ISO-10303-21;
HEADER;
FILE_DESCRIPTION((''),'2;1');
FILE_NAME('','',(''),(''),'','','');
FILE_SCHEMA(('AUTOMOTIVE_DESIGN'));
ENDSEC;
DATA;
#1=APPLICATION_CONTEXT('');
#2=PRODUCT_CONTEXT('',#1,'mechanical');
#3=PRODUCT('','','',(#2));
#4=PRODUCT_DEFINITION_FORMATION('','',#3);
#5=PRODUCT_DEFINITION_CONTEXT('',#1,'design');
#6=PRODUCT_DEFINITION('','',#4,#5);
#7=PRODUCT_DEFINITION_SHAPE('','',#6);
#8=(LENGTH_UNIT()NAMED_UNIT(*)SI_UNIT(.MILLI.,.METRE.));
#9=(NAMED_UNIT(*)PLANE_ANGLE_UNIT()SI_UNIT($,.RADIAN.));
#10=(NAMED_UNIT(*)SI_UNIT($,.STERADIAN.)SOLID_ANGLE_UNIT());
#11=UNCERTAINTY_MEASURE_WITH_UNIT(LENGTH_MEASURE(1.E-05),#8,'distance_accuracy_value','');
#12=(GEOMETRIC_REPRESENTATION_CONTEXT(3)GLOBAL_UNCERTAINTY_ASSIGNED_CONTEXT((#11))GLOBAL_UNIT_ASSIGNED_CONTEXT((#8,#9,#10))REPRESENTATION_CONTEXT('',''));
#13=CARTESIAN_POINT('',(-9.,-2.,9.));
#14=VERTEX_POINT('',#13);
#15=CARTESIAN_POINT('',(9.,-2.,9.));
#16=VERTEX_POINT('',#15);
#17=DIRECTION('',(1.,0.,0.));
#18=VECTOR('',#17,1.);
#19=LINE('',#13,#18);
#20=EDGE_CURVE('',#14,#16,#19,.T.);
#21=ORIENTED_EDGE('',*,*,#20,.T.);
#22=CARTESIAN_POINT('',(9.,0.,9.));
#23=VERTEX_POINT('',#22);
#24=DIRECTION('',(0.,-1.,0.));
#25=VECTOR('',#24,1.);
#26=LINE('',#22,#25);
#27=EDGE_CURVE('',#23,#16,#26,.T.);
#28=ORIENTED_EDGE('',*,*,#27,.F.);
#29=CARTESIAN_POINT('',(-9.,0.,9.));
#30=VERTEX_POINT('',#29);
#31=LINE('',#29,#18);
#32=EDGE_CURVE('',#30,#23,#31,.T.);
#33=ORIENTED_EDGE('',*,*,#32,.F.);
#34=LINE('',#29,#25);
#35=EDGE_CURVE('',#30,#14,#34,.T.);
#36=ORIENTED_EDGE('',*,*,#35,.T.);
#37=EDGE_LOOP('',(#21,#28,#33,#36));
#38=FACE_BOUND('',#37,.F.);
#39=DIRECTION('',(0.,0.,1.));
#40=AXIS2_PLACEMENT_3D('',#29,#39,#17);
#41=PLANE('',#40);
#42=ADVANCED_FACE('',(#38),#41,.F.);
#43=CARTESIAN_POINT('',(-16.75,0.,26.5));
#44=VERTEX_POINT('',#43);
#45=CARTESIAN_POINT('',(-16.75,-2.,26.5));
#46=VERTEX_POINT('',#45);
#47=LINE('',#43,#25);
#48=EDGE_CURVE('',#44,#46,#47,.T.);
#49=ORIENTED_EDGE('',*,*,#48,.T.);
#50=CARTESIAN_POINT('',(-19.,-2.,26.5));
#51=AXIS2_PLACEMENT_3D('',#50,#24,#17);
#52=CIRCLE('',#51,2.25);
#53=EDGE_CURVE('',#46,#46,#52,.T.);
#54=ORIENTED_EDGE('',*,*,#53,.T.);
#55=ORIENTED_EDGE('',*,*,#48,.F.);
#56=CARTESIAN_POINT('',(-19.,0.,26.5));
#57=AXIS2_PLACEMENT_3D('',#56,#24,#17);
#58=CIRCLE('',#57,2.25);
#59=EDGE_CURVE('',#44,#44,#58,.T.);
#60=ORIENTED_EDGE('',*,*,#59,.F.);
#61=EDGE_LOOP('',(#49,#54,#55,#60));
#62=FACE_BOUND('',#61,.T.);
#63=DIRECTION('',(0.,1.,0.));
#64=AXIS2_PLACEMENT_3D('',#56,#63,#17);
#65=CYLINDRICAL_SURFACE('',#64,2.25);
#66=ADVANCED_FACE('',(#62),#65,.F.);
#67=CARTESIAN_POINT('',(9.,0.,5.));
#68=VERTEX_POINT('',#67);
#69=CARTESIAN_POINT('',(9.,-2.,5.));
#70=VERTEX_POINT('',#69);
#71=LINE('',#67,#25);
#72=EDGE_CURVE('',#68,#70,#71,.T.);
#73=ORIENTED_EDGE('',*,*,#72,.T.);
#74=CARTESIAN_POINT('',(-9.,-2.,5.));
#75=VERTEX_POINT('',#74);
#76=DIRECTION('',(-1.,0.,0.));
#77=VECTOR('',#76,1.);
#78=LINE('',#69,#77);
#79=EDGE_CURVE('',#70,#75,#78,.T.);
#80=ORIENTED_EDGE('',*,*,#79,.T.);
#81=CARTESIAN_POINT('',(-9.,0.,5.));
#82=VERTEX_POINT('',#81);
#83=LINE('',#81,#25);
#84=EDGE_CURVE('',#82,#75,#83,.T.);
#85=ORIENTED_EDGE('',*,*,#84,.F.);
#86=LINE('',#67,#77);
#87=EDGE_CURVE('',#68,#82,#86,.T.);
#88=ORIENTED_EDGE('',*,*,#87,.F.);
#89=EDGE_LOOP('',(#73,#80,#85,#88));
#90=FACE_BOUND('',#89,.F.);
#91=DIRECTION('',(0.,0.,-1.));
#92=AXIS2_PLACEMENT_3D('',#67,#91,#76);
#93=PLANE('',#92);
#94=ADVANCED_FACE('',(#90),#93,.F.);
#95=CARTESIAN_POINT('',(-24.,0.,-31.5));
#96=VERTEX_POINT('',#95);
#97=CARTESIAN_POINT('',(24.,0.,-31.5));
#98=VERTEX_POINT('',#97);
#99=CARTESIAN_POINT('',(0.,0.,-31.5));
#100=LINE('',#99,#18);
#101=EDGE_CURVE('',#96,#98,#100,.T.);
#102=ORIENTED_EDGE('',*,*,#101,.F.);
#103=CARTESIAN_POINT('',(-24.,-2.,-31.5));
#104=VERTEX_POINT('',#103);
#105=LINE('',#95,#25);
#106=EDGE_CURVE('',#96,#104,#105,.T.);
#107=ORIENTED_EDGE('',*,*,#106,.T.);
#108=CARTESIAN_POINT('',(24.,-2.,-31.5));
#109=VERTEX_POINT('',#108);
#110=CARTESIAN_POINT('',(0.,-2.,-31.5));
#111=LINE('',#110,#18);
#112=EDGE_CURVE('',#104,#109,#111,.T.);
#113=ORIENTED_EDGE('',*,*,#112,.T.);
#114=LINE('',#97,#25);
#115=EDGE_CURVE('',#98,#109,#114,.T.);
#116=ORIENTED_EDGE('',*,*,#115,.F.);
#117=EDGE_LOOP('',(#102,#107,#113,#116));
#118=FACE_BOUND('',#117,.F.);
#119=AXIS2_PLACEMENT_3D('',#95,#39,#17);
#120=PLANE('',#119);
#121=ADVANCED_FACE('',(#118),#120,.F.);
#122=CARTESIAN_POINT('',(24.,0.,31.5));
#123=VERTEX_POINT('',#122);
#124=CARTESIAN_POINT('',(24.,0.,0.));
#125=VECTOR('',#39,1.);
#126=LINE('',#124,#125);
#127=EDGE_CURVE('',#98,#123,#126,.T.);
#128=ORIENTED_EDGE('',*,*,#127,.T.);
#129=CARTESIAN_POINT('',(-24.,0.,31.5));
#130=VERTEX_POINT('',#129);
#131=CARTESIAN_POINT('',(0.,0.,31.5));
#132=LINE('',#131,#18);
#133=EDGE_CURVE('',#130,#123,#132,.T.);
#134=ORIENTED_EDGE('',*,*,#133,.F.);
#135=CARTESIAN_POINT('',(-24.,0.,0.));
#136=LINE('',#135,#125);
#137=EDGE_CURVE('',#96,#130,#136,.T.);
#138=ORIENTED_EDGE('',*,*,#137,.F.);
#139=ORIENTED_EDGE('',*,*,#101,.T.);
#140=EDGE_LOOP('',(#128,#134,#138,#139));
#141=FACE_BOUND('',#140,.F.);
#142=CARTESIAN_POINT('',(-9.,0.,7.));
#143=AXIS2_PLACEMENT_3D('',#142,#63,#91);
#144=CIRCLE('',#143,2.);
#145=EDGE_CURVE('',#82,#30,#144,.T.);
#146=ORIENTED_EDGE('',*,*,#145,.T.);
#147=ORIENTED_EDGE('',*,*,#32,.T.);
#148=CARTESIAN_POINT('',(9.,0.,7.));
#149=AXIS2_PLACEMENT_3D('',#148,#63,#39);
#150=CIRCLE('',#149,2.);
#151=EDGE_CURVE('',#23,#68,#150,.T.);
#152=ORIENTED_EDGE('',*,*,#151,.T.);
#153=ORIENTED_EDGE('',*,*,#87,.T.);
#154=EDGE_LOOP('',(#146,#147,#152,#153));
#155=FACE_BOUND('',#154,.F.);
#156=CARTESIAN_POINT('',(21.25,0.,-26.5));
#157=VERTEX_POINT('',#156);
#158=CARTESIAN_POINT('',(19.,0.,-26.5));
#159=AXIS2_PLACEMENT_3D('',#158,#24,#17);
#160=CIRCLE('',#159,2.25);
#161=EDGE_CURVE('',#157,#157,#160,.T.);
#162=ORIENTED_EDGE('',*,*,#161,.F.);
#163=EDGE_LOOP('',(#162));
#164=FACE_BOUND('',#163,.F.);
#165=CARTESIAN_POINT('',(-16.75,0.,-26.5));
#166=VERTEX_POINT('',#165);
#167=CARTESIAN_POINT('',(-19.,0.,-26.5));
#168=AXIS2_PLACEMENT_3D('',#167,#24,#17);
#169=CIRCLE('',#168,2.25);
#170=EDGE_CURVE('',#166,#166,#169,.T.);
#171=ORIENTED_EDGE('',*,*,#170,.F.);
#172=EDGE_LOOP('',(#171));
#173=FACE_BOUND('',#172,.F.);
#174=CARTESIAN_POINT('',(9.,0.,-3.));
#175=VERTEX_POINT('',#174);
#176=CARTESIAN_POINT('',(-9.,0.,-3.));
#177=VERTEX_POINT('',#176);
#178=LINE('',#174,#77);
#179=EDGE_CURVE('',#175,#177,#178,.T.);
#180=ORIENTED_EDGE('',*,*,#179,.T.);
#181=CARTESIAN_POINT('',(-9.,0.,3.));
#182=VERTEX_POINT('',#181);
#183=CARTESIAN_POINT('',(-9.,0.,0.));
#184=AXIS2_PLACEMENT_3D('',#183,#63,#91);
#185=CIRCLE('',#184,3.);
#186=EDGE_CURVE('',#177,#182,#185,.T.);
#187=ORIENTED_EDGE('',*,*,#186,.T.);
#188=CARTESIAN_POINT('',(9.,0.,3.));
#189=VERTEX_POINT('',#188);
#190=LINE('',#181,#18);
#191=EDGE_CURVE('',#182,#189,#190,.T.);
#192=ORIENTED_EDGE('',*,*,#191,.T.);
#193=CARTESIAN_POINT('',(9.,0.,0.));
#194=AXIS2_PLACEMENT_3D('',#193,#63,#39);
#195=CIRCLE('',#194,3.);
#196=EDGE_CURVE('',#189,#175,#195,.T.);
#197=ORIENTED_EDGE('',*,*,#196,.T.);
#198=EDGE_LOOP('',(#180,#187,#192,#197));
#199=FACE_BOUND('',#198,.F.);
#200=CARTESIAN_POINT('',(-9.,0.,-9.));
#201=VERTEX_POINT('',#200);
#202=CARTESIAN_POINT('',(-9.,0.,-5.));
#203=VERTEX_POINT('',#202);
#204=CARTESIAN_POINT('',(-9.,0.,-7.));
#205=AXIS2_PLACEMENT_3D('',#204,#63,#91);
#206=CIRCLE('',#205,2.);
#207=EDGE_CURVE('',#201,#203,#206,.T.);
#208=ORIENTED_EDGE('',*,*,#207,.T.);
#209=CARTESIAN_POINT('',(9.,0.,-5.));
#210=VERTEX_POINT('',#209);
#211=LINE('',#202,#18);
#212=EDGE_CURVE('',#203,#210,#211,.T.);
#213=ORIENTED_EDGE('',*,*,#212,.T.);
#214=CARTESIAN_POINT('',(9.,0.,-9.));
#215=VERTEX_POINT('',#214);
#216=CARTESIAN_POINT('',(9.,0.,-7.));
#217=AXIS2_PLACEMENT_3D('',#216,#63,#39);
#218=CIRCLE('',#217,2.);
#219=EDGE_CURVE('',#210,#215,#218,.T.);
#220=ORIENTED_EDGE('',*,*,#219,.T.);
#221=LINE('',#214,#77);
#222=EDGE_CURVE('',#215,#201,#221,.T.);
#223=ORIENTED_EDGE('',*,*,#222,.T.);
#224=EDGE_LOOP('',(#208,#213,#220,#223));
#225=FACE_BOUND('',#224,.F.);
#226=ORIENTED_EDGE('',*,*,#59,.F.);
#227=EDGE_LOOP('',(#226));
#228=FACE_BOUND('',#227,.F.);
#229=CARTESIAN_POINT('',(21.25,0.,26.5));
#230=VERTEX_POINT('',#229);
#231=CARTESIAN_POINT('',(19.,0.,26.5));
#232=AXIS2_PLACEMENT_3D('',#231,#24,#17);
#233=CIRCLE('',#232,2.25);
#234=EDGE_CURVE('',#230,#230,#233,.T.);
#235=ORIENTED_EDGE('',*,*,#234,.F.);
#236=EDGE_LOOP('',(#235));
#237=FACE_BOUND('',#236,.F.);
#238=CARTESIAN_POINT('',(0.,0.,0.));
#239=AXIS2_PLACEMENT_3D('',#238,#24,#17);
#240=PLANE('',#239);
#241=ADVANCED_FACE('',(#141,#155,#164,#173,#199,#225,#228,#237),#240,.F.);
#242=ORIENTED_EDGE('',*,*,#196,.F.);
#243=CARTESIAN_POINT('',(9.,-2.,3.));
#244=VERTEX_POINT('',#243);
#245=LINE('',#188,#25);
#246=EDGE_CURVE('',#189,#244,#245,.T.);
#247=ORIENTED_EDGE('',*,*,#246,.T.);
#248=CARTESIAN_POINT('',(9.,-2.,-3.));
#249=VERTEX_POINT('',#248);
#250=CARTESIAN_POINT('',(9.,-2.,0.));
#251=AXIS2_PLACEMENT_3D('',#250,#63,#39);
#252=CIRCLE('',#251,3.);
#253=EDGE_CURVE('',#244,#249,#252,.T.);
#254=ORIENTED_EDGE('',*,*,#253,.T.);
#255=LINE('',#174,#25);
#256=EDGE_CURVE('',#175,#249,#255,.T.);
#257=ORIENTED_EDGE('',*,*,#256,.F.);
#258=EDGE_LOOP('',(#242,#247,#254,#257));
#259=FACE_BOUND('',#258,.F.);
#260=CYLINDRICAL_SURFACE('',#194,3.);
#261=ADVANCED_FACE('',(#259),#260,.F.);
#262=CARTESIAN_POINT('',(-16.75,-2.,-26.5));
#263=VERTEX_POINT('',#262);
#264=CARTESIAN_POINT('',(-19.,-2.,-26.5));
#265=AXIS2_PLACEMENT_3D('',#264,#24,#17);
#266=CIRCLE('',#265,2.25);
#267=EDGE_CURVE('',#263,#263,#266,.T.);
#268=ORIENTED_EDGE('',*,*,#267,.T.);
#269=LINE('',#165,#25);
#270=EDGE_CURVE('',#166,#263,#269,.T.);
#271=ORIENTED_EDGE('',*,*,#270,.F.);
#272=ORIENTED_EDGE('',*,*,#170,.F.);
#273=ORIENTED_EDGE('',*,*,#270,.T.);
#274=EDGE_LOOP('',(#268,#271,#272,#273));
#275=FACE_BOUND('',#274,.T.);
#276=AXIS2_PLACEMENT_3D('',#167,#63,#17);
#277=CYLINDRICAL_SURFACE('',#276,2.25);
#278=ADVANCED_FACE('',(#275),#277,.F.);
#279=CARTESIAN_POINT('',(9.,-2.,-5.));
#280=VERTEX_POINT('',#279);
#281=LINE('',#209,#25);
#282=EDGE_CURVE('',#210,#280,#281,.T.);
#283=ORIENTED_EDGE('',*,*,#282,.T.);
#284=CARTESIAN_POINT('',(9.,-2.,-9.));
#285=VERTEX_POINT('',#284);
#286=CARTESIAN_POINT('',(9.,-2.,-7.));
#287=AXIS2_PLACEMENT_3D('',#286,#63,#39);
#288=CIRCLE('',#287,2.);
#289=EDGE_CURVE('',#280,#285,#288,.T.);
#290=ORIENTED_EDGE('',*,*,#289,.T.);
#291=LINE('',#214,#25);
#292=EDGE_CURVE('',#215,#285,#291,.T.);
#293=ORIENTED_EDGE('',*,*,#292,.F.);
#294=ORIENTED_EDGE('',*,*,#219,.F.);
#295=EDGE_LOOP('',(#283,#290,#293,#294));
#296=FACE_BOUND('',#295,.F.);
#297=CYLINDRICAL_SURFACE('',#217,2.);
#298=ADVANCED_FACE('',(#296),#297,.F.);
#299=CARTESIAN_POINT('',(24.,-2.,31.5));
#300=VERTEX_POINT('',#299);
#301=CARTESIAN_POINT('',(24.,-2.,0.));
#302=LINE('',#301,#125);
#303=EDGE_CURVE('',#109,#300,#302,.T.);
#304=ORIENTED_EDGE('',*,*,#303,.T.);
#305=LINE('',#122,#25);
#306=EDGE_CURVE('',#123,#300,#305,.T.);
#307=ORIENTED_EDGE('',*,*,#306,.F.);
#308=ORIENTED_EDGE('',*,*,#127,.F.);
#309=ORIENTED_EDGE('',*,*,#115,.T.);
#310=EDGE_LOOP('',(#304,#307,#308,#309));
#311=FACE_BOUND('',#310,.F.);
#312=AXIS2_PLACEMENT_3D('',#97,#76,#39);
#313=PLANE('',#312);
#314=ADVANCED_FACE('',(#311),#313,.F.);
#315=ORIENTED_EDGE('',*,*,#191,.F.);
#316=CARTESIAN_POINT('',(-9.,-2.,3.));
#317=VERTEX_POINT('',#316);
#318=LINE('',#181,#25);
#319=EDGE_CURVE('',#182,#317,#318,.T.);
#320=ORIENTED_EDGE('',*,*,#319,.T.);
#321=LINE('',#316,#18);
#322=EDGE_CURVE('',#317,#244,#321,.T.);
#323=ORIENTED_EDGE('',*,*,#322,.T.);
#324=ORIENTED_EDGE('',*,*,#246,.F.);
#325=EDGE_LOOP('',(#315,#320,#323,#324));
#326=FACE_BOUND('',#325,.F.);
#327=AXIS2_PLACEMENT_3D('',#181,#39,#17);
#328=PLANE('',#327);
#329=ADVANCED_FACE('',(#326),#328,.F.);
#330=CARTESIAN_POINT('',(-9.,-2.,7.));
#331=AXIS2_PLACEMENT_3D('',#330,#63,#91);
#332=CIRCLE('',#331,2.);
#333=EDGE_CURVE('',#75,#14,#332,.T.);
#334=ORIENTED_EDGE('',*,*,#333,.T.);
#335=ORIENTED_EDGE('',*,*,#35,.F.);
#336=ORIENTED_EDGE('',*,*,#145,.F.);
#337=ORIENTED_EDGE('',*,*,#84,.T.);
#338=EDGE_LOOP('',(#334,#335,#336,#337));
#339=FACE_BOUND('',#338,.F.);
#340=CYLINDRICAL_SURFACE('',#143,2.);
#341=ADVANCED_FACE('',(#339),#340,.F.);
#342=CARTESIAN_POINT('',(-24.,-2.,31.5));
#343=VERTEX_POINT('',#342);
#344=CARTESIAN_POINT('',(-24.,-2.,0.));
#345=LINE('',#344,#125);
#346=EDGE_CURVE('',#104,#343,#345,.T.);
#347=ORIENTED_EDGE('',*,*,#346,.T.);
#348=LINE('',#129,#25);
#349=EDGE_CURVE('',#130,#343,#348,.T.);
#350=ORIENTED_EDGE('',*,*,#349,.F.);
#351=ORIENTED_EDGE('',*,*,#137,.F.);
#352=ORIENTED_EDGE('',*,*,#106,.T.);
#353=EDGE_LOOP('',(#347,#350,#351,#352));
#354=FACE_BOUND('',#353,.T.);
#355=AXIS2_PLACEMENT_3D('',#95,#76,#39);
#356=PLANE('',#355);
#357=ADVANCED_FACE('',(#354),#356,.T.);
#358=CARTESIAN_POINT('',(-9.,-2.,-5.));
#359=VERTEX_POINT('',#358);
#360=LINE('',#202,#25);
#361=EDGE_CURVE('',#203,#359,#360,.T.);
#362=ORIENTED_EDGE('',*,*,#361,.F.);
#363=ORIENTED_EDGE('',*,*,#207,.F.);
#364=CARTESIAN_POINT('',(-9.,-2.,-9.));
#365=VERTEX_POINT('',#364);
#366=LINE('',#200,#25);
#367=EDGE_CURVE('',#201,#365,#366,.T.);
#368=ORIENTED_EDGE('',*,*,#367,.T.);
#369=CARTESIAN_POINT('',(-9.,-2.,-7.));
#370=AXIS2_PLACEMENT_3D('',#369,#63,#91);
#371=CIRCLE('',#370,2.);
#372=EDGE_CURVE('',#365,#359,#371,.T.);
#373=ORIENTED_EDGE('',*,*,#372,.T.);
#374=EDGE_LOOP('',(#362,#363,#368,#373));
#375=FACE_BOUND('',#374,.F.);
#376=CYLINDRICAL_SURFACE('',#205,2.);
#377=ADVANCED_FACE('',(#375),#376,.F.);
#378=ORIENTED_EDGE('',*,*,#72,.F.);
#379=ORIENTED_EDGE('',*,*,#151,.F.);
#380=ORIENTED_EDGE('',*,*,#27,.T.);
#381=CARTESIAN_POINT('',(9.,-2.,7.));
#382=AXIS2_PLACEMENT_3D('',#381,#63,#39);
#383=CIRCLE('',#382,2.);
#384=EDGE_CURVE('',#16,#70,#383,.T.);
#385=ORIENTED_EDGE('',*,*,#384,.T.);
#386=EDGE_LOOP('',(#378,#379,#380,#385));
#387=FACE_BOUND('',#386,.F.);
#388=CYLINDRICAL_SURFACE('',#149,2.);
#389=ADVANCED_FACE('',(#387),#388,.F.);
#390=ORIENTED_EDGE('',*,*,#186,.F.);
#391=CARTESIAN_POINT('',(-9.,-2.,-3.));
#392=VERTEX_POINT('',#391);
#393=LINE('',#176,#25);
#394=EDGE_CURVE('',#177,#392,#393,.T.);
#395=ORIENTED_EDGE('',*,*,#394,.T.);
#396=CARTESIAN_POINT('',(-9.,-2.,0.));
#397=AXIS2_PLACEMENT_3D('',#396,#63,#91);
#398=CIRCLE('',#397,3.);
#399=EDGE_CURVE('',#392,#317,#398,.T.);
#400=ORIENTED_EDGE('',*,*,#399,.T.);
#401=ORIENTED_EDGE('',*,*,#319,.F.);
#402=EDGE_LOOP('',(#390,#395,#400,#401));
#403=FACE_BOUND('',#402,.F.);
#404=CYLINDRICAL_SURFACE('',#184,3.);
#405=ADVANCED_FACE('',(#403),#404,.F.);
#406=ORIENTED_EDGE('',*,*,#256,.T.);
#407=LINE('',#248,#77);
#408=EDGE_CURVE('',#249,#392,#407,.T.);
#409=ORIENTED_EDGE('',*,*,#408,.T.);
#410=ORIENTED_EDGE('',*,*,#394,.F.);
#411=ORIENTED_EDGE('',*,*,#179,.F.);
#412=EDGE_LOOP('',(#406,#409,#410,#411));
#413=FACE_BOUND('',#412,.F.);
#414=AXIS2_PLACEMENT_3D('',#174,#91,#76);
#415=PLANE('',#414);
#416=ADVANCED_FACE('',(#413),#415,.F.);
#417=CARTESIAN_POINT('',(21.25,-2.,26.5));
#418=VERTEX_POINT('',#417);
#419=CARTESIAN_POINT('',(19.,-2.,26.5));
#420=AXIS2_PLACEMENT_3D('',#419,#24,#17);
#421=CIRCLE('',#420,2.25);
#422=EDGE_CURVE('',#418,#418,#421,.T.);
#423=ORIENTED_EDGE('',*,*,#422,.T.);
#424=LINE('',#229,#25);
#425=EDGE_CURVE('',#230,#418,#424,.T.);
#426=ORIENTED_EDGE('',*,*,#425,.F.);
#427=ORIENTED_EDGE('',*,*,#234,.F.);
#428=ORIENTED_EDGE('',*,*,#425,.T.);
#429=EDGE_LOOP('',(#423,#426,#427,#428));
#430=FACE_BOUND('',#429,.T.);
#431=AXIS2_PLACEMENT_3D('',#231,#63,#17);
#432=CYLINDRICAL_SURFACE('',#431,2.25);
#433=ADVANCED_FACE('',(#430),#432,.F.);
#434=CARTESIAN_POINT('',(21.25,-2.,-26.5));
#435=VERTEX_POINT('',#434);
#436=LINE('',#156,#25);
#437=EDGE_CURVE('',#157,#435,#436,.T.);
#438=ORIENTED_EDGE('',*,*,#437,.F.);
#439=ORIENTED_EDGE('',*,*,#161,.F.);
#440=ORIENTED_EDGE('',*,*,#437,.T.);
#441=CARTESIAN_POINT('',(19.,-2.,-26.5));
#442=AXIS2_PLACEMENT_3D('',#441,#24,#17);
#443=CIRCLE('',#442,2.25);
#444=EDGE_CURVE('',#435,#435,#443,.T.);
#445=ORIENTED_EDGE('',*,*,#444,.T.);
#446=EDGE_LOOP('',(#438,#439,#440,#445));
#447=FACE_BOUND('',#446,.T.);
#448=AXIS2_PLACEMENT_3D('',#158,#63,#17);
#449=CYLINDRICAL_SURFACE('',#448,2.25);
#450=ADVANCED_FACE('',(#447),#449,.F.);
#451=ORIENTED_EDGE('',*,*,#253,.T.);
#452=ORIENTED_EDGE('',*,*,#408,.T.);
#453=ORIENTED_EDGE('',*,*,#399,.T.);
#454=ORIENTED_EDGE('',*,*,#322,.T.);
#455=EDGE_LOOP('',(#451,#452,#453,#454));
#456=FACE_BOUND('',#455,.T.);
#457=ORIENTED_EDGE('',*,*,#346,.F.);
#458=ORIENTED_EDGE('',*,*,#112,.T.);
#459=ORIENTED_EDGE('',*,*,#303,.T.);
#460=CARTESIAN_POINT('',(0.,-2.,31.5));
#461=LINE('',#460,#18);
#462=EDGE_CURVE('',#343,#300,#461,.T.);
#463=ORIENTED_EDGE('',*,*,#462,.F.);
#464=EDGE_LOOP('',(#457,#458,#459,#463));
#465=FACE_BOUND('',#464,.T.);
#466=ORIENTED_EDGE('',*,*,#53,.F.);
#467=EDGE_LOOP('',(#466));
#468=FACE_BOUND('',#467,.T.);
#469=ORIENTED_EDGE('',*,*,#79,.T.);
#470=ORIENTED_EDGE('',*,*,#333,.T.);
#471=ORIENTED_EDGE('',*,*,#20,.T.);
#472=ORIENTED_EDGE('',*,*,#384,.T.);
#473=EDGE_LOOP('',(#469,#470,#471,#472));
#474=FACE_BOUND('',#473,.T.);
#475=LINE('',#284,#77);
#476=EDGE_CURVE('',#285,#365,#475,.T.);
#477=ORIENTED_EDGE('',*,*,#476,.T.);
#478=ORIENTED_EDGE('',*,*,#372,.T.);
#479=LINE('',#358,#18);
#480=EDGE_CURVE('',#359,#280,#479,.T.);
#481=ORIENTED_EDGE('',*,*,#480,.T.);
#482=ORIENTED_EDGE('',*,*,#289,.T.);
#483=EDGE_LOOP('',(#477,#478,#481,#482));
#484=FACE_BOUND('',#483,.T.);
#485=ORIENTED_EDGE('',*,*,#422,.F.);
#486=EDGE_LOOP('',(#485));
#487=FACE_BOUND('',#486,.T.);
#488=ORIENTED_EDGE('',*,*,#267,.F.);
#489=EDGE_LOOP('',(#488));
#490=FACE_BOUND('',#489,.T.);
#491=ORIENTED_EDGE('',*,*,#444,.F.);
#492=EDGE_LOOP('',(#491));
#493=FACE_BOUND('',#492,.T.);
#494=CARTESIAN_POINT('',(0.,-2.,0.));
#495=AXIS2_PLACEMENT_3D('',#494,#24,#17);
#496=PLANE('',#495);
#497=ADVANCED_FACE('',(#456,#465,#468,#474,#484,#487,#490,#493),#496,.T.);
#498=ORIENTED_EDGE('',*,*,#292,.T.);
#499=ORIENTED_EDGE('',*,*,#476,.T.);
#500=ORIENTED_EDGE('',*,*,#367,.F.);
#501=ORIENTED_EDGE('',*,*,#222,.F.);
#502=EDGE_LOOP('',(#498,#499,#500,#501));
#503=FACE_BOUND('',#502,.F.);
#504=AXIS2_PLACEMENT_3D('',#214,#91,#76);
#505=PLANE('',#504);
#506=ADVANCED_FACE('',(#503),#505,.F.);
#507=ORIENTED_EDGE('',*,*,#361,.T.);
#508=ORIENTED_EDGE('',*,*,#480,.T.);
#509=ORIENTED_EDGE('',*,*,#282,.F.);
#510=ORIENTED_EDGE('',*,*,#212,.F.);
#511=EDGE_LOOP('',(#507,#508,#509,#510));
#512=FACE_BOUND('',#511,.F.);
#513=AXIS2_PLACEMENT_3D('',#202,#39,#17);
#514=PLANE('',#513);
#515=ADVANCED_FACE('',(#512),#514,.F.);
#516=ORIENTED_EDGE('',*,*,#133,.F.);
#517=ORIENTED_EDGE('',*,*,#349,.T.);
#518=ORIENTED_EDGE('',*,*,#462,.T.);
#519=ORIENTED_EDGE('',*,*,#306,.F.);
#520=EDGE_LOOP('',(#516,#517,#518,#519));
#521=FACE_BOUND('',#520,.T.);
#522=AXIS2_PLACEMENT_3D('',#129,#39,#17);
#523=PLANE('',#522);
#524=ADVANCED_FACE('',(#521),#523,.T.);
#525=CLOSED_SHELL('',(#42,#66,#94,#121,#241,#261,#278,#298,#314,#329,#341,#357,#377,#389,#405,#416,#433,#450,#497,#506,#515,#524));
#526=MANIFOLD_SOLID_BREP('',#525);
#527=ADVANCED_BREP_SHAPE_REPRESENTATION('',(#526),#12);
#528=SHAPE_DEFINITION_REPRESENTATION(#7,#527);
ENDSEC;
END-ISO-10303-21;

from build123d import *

# Parameters (mm, degrees)
F0_W     = 48
F0_H     = 63
F0_R     = 2.25
F1_DEPTH = 2


with BuildPart() as f1:
    # F0 (on Front) → F1 (new body)
    with BuildSketch(Plane.XZ):
        Rectangle(F0_W, F0_H)
        with Locations((-19, -26.5)):
            Circle(F0_R, mode=Mode.SUBTRACT)
        with Locations((19, -26.5)):
            Circle(F0_R, mode=Mode.SUBTRACT)
        with BuildLine():
            ThreePointArc((9, -5), (11, -7), (9, -9))
            Line((9, -9), (-9, -9))
            ThreePointArc((-9, -9), (-11, -7), (-9, -5))
            Line((-9, -5), (9, -5))
        make_face(mode=Mode.SUBTRACT)
        with Locations((-19, 26.5)):
            Circle(F0_R, mode=Mode.SUBTRACT)
        with BuildLine():
            Line((-9, 3), (9, 3))
            ThreePointArc((9, 3), (12, 0), (9, -3))
            Line((9, -3), (-9, -3))
            ThreePointArc((-9, -3), (-12, 0), (-9, 3))
        make_face(mode=Mode.SUBTRACT)
        with BuildLine():
            ThreePointArc((9, 9), (11, 7), (9, 5))
            Line((9, 5), (-9, 5))
            ThreePointArc((-9, 5), (-11, 7), (-9, 9))
            Line((-9, 9), (9, 9))
        make_face(mode=Mode.SUBTRACT)
        with Locations((19, 26.5)):
            Circle(F0_R, mode=Mode.SUBTRACT)
    extrude(amount=F1_DEPTH)


solid = f1.part
